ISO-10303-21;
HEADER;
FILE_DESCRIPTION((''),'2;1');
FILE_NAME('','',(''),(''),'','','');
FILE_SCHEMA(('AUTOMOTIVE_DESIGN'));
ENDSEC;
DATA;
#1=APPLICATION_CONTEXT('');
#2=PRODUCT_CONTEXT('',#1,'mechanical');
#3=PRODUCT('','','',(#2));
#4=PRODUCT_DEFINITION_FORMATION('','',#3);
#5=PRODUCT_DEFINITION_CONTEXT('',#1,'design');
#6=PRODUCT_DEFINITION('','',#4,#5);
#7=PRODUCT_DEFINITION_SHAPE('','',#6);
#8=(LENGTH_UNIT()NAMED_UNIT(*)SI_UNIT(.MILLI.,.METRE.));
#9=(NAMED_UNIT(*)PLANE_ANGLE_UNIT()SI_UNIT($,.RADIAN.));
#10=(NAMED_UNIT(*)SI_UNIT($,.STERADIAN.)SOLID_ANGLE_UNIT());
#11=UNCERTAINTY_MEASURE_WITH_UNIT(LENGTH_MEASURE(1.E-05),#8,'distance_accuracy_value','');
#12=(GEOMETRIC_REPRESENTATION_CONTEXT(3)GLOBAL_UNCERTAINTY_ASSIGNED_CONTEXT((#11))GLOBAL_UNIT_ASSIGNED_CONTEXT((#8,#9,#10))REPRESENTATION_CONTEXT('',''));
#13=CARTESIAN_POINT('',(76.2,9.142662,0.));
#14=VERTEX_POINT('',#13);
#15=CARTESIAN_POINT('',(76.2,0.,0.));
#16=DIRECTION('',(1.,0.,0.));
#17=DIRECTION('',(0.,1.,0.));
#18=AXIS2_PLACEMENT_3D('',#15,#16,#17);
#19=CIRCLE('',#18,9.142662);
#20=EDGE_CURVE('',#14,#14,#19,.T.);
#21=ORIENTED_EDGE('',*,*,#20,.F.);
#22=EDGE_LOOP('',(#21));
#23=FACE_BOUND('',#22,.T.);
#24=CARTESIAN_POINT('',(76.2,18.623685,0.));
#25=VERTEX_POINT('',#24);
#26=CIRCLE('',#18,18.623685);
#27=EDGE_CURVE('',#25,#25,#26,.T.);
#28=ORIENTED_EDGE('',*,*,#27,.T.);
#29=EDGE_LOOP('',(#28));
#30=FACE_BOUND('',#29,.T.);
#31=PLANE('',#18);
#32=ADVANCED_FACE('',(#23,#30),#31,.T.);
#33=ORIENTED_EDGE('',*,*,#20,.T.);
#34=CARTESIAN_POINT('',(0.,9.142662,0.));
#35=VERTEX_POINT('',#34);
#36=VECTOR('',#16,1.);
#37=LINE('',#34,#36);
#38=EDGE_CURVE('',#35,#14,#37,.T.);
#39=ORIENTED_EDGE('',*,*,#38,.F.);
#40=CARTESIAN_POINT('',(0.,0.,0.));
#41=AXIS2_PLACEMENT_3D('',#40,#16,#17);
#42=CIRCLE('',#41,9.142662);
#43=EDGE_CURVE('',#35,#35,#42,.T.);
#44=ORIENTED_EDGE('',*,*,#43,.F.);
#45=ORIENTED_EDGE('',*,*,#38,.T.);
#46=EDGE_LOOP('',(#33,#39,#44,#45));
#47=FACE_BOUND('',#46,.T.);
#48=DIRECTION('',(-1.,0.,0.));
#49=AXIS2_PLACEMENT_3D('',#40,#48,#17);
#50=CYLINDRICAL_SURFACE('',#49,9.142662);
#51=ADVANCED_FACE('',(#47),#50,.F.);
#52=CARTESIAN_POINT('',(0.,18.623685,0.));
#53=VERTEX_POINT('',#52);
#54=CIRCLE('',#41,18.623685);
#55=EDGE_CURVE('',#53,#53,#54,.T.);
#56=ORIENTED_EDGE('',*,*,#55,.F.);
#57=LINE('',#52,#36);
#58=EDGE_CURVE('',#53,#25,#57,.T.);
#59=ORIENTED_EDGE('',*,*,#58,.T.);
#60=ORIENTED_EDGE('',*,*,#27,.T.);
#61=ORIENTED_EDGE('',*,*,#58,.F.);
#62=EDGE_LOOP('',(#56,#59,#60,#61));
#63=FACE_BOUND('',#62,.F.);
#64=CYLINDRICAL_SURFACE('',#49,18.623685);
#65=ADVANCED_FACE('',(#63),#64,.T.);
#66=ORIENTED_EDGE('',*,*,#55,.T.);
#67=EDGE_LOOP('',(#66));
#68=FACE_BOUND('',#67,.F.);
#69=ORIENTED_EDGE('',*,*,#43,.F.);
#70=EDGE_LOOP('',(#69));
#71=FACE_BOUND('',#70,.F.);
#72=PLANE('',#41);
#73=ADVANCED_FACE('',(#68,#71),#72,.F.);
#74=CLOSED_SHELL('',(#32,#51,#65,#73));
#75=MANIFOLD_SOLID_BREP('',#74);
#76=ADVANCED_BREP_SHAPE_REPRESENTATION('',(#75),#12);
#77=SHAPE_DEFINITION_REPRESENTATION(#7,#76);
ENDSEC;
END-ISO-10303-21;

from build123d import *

# Parameters (mm, degrees)
F0_R     = 18.623685
F1_DEPTH = 76.2
F2_R     = 9.142662
F3_DEPTH = 76.2


with BuildPart() as f1:
    # F0 (on Right) → F1 (new body)
    with BuildSketch(Plane.YZ):
        Circle(F0_R)
    extrude(amount=F1_DEPTH)

    # F2 (on Right) → F3 (cut)
    with BuildSketch(Plane.YZ):
        Circle(F2_R)
    extrude(amount=F3_DEPTH, mode=Mode.SUBTRACT)


solid = f1.part
